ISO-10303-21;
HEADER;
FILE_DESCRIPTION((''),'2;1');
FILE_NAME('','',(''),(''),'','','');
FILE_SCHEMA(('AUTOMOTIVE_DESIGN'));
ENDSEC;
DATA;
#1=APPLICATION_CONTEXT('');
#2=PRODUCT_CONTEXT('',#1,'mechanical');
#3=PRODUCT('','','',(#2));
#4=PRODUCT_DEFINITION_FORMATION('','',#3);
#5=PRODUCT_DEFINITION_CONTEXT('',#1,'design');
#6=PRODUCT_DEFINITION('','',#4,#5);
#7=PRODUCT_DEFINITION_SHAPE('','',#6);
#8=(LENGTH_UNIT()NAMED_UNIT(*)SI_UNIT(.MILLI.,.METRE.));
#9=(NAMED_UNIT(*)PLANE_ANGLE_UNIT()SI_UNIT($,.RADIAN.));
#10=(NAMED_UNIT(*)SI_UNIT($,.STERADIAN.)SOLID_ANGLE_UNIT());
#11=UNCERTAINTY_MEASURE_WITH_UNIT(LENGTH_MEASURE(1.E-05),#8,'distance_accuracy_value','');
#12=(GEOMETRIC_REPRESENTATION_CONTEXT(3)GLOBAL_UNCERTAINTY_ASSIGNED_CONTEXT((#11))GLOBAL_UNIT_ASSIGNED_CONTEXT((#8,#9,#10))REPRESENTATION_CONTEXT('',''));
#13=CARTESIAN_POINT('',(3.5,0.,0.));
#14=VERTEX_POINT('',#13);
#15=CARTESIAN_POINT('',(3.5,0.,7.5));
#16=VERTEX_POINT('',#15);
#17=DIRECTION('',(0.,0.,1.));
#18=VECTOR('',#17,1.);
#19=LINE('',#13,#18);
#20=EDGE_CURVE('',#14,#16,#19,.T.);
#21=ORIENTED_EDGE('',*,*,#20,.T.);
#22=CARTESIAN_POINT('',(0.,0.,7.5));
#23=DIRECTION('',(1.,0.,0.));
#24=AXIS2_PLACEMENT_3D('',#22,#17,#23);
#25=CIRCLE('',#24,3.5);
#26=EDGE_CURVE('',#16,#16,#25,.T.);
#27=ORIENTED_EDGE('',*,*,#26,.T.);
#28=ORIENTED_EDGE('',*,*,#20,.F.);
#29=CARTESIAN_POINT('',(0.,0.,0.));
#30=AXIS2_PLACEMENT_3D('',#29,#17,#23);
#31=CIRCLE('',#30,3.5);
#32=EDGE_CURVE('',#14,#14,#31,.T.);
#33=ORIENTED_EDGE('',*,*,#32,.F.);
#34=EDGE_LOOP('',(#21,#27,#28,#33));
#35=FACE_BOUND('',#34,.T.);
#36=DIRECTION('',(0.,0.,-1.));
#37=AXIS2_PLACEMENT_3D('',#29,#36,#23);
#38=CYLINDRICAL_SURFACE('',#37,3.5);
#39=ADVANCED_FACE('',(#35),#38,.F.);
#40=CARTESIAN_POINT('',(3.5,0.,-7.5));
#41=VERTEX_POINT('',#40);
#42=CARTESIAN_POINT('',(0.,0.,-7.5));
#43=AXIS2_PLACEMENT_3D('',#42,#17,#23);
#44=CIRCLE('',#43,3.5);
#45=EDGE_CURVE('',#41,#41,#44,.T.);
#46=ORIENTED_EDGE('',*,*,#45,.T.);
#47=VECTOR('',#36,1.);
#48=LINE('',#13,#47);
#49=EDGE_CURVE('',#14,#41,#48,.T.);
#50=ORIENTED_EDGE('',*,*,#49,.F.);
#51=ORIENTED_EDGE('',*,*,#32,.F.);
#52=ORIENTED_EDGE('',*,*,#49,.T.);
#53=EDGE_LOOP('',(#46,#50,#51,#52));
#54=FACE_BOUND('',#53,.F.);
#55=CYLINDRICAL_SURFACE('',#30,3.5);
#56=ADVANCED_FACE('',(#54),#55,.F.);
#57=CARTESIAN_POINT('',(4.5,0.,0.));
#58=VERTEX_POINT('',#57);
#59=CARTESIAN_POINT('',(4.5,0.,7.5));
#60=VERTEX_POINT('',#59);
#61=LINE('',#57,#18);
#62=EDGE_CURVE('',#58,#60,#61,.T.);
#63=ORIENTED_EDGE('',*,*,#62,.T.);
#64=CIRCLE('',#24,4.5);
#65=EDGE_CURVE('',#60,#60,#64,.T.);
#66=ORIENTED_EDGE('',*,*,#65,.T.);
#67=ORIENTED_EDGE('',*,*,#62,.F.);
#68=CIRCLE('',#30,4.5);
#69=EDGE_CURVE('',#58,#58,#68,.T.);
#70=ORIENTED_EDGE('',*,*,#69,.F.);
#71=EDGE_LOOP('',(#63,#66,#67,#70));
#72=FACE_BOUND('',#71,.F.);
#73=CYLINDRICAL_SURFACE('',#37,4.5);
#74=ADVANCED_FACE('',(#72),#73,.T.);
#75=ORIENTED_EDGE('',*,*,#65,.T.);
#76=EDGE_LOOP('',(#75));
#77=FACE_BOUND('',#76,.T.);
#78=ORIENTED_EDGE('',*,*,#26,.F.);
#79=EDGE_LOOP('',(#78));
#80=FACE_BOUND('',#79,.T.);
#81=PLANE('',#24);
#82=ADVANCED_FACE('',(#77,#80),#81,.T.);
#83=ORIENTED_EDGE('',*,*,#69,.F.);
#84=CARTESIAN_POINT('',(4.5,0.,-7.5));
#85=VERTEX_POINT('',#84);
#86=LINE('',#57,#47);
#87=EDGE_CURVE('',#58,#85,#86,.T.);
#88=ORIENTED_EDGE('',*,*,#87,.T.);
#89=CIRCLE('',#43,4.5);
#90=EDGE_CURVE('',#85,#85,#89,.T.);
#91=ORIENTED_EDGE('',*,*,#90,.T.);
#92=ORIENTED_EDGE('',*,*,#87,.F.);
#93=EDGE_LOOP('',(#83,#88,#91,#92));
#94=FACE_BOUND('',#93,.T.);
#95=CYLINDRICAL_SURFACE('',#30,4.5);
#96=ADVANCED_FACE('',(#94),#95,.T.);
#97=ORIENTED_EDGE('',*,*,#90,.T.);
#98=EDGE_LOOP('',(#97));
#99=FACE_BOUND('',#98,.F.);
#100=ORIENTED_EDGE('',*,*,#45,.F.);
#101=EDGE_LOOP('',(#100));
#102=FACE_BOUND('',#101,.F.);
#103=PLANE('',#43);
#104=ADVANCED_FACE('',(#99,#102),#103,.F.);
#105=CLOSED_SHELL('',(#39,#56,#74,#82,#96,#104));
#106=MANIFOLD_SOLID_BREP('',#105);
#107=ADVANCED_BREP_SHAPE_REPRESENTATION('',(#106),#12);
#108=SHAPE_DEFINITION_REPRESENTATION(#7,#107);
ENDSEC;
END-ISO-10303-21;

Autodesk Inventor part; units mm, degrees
ref_plane "YZ Plane" through (0, 0, 0) normal (1, 0, 0) x (0, 1, 0)
ref_plane "XZ Plane" through (0, 0, 0) normal (0, 1, 0) x (-1, 0, 0)
ref_plane "XY Plane" through (0, 0, 0) normal (0, 0, 1) x (1, 0, 0)
sketch "Sketch1" plane through (0, 0, 0) normal (0, 0, 1) x (1, 0, 0)
  circle A0 centre (0, 0) radius 4.5
  circle A1 centre (0, 0) radius 3.5
  dimension "d0" = 9
  dimension "d1" = 7
extrude "Extrusion1" add sketch "Sketch1" along normal mid plane 15
properties part number "14.1"
